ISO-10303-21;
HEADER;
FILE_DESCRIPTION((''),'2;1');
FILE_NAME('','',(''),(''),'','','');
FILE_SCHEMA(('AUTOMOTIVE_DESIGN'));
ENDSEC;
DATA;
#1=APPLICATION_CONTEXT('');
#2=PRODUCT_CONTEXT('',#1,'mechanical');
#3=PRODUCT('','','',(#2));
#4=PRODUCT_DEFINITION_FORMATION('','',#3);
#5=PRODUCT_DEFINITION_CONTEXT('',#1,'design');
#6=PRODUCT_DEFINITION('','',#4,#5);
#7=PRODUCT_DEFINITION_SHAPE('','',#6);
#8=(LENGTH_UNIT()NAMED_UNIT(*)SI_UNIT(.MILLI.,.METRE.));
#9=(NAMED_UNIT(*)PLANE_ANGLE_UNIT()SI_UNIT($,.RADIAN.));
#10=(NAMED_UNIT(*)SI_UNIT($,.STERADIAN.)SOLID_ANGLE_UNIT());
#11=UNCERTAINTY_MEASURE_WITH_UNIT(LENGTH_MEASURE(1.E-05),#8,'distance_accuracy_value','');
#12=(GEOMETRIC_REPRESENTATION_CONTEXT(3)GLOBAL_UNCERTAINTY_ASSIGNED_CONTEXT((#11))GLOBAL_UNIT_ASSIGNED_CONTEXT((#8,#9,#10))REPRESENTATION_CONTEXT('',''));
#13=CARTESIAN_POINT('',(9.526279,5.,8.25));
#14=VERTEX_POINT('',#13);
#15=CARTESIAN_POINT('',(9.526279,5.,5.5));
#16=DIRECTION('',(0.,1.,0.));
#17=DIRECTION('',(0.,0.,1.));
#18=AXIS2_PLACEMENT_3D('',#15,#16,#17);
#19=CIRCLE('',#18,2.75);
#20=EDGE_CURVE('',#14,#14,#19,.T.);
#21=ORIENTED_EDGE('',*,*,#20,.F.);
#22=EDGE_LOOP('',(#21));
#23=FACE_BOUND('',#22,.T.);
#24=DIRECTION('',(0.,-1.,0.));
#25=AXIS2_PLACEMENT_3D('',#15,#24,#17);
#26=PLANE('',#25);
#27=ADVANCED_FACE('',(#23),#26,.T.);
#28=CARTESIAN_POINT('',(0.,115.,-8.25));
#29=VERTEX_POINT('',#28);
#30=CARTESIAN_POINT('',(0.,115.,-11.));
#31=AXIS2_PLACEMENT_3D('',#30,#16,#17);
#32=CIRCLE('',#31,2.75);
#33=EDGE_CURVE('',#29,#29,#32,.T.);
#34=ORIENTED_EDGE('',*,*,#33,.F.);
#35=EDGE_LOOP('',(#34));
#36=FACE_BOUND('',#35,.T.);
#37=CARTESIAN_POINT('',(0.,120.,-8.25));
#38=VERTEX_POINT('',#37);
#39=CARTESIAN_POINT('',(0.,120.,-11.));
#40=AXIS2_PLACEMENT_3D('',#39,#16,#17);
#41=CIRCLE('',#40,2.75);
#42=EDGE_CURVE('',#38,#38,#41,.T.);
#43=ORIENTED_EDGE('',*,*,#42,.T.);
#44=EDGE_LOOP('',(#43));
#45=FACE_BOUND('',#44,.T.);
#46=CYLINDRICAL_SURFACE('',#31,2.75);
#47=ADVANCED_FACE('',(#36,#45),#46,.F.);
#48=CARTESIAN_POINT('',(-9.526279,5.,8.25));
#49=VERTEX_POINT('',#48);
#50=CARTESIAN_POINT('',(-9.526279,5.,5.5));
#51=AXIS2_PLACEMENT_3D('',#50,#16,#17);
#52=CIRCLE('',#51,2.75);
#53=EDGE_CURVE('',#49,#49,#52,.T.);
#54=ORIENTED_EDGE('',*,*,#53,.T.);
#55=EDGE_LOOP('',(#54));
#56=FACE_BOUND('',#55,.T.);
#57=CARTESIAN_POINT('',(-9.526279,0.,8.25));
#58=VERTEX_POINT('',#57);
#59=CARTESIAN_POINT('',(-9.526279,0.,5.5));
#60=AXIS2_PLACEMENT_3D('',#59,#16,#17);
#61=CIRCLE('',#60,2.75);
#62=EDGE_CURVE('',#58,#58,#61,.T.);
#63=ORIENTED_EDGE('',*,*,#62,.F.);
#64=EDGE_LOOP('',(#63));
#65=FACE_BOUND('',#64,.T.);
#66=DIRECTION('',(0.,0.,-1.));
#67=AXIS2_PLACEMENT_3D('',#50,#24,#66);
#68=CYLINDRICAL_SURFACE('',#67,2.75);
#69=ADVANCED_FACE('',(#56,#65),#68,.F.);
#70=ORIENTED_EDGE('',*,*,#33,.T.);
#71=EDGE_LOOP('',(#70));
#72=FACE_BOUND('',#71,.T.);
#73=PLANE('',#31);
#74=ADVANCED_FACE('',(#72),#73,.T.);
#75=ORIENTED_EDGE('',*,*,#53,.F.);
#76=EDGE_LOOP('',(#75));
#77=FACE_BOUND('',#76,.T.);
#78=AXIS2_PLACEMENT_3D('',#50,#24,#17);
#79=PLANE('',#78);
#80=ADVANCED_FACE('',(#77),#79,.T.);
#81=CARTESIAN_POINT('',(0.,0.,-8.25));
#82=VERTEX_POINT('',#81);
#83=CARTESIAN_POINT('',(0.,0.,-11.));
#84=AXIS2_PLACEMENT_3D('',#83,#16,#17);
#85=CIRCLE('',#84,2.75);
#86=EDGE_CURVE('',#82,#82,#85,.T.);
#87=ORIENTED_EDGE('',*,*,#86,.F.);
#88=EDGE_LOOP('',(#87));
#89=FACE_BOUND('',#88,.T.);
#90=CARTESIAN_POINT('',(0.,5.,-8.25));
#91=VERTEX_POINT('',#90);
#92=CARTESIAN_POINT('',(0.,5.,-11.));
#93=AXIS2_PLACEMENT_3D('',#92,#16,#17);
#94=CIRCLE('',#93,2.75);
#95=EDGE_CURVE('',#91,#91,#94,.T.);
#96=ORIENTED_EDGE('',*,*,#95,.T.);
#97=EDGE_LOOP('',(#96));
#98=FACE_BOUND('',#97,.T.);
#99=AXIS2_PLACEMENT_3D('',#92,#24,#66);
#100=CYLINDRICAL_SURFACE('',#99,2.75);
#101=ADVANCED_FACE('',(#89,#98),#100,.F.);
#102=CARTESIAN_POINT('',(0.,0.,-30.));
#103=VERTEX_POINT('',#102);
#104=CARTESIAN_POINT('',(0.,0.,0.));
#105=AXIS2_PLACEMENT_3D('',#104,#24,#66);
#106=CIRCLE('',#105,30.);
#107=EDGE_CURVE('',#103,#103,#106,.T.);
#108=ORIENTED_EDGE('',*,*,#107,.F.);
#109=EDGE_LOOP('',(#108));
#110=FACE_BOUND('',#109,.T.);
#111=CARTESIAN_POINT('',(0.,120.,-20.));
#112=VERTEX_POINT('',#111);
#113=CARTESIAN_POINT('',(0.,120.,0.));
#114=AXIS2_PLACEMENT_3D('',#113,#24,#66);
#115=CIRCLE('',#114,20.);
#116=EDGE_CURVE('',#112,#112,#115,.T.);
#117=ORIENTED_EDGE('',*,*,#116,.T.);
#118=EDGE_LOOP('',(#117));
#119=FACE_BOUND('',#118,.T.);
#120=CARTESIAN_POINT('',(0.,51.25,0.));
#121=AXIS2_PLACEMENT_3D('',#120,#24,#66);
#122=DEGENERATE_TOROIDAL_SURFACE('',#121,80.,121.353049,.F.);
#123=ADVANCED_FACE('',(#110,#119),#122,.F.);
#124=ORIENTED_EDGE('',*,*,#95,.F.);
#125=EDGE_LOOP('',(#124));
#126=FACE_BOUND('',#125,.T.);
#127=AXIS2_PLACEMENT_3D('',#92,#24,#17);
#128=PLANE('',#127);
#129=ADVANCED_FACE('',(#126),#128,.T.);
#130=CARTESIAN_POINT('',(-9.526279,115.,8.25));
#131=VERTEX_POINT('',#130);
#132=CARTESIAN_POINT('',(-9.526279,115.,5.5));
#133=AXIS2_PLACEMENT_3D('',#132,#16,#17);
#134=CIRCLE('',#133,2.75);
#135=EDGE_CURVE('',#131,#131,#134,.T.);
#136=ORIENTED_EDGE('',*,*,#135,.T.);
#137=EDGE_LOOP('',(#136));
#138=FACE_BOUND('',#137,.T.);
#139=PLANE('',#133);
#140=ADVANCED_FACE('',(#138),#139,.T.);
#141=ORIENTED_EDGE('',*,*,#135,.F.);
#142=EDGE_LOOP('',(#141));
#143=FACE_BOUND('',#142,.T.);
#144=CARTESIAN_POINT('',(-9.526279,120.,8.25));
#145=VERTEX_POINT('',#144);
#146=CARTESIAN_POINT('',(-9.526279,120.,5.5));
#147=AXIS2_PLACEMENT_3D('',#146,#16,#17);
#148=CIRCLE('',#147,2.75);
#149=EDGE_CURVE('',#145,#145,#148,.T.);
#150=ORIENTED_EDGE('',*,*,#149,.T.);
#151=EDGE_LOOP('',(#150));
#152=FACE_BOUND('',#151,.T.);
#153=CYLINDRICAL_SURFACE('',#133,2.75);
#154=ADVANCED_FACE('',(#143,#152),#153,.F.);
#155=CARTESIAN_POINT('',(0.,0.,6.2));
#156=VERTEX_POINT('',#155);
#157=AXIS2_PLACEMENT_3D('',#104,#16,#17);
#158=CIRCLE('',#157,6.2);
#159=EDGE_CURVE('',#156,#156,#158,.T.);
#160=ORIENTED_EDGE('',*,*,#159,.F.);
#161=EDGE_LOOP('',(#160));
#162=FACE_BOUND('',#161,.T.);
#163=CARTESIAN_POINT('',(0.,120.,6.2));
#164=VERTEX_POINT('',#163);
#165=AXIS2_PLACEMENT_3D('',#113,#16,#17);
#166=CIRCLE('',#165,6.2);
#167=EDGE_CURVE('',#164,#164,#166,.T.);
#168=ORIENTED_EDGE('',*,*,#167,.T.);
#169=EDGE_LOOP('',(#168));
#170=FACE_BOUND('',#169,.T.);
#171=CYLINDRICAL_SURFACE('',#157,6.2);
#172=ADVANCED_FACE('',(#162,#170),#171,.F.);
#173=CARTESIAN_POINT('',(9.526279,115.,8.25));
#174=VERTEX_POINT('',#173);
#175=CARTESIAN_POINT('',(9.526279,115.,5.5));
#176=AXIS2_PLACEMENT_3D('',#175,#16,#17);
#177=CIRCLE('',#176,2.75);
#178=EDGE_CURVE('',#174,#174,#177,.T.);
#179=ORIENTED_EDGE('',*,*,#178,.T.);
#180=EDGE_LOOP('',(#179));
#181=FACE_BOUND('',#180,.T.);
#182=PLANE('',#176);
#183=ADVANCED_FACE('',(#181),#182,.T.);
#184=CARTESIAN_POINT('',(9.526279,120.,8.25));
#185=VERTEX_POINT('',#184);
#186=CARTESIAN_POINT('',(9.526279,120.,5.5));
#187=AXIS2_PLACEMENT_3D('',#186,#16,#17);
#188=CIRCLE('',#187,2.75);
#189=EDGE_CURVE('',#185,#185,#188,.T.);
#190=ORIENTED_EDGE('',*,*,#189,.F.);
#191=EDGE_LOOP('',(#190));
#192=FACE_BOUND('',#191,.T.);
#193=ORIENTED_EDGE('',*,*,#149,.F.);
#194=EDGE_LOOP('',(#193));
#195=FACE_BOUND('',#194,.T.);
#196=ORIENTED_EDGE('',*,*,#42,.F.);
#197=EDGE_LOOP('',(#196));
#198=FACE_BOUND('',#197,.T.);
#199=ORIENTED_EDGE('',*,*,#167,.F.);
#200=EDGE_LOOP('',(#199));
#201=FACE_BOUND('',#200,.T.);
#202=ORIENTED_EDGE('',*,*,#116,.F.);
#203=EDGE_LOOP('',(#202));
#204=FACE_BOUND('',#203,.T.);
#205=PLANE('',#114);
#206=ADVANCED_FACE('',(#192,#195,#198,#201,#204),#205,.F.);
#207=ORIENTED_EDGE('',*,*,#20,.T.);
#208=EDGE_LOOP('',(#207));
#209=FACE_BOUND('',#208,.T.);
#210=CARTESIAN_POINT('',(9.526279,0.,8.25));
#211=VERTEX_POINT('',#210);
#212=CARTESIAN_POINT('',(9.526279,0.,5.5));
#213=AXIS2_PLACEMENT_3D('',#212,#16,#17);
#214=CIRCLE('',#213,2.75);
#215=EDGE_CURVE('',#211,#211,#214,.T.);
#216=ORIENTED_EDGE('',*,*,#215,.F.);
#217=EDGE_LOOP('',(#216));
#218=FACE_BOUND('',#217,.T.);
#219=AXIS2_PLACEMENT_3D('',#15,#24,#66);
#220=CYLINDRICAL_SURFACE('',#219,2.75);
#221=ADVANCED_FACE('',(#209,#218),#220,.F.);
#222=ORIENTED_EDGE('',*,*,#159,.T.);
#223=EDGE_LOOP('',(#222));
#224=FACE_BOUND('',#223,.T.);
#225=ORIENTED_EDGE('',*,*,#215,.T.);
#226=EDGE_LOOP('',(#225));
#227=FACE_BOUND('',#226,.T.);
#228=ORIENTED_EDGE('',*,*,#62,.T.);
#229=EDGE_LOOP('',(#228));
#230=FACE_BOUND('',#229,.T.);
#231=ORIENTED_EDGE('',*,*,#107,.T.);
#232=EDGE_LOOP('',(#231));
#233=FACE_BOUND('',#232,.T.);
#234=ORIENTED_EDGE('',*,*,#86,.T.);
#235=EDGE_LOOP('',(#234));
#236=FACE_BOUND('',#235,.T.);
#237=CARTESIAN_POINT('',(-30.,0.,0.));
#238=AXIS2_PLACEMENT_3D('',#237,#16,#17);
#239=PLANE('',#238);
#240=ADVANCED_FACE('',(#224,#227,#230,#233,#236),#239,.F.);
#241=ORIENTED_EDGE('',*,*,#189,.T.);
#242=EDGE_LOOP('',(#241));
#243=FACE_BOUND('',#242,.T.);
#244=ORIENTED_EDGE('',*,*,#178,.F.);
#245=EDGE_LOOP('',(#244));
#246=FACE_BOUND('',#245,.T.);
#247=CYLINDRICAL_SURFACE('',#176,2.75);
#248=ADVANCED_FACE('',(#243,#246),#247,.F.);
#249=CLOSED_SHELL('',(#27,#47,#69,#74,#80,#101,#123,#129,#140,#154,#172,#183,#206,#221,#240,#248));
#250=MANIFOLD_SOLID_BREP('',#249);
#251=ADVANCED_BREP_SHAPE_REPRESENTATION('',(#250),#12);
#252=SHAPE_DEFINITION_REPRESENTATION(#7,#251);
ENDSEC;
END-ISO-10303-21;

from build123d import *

# Parameters (mm, degrees)
SKETCH_2_R          = 2.75
CUT_EXTRUDE_1_DEPTH = 5
SKETCH_3_R          = 6.2
CUT_EXTRUDE_2_DEPTH = 134.492132213


with BuildPart() as part:
    # ｽｹｯﾁ1 → 回転1 (revolve)
    with BuildSketch(Plane.XY, mode=Mode.PRIVATE) as revolve_1_sk:
        with BuildLine():
            Line((-30, 0), (0, 0))
            Line((0, 0), (0, 120))
            Line((0, 120), (-20, 120))
            ThreePointArc((-20, 120), (-40.933866224, 61.327822185), (-30, 0))
        make_face()
    revolve(revolve_1_sk.sketch.rotate(Axis((0, 0, 0), (0, 1, 0)), 270), axis=Axis((0, 0, 0), (0, 1, 0)))

    # ｽｹｯﾁ2 → ｶｯﾄ - 押し出し1 (cut)
    with BuildSketch(Plane(origin=(0, 120, 0), x_dir=(1, 0, 0), z_dir=(0, 1, 0))):
        with Locations(Location((0, 11, 0), (0, 0, 270))):
            Circle(SKETCH_2_R)
        with Locations(Location((9.526279442, -5.5, 0), (0, 0, 270))):
            Circle(SKETCH_2_R)
        with Locations(Location((-9.526279442, -5.5, 0), (0, 0, 270))):
            Circle(SKETCH_2_R)
    cut_extrude_1 = extrude(amount=-CUT_EXTRUDE_1_DEPTH, mode=Mode.SUBTRACT)

    # ﾐﾗｰ1: ｶｯﾄ - 押し出し1 across plane
    add(cut_extrude_1.mirror(Plane.ZX.offset(60)), mode=Mode.SUBTRACT)

    # ｽｹｯﾁ3 → ｶｯﾄ - 押し出し2 (cut, through all)
    with BuildSketch(Plane(origin=(0, 120, 0), x_dir=(1, 0, 0), z_dir=(0, 1, 0))):
        with Locations(Location((0, 0, 0), (0, 0, 270))):
            Circle(SKETCH_3_R)
    extrude(amount=-CUT_EXTRUDE_2_DEPTH, mode=Mode.SUBTRACT)


solid = part.part
